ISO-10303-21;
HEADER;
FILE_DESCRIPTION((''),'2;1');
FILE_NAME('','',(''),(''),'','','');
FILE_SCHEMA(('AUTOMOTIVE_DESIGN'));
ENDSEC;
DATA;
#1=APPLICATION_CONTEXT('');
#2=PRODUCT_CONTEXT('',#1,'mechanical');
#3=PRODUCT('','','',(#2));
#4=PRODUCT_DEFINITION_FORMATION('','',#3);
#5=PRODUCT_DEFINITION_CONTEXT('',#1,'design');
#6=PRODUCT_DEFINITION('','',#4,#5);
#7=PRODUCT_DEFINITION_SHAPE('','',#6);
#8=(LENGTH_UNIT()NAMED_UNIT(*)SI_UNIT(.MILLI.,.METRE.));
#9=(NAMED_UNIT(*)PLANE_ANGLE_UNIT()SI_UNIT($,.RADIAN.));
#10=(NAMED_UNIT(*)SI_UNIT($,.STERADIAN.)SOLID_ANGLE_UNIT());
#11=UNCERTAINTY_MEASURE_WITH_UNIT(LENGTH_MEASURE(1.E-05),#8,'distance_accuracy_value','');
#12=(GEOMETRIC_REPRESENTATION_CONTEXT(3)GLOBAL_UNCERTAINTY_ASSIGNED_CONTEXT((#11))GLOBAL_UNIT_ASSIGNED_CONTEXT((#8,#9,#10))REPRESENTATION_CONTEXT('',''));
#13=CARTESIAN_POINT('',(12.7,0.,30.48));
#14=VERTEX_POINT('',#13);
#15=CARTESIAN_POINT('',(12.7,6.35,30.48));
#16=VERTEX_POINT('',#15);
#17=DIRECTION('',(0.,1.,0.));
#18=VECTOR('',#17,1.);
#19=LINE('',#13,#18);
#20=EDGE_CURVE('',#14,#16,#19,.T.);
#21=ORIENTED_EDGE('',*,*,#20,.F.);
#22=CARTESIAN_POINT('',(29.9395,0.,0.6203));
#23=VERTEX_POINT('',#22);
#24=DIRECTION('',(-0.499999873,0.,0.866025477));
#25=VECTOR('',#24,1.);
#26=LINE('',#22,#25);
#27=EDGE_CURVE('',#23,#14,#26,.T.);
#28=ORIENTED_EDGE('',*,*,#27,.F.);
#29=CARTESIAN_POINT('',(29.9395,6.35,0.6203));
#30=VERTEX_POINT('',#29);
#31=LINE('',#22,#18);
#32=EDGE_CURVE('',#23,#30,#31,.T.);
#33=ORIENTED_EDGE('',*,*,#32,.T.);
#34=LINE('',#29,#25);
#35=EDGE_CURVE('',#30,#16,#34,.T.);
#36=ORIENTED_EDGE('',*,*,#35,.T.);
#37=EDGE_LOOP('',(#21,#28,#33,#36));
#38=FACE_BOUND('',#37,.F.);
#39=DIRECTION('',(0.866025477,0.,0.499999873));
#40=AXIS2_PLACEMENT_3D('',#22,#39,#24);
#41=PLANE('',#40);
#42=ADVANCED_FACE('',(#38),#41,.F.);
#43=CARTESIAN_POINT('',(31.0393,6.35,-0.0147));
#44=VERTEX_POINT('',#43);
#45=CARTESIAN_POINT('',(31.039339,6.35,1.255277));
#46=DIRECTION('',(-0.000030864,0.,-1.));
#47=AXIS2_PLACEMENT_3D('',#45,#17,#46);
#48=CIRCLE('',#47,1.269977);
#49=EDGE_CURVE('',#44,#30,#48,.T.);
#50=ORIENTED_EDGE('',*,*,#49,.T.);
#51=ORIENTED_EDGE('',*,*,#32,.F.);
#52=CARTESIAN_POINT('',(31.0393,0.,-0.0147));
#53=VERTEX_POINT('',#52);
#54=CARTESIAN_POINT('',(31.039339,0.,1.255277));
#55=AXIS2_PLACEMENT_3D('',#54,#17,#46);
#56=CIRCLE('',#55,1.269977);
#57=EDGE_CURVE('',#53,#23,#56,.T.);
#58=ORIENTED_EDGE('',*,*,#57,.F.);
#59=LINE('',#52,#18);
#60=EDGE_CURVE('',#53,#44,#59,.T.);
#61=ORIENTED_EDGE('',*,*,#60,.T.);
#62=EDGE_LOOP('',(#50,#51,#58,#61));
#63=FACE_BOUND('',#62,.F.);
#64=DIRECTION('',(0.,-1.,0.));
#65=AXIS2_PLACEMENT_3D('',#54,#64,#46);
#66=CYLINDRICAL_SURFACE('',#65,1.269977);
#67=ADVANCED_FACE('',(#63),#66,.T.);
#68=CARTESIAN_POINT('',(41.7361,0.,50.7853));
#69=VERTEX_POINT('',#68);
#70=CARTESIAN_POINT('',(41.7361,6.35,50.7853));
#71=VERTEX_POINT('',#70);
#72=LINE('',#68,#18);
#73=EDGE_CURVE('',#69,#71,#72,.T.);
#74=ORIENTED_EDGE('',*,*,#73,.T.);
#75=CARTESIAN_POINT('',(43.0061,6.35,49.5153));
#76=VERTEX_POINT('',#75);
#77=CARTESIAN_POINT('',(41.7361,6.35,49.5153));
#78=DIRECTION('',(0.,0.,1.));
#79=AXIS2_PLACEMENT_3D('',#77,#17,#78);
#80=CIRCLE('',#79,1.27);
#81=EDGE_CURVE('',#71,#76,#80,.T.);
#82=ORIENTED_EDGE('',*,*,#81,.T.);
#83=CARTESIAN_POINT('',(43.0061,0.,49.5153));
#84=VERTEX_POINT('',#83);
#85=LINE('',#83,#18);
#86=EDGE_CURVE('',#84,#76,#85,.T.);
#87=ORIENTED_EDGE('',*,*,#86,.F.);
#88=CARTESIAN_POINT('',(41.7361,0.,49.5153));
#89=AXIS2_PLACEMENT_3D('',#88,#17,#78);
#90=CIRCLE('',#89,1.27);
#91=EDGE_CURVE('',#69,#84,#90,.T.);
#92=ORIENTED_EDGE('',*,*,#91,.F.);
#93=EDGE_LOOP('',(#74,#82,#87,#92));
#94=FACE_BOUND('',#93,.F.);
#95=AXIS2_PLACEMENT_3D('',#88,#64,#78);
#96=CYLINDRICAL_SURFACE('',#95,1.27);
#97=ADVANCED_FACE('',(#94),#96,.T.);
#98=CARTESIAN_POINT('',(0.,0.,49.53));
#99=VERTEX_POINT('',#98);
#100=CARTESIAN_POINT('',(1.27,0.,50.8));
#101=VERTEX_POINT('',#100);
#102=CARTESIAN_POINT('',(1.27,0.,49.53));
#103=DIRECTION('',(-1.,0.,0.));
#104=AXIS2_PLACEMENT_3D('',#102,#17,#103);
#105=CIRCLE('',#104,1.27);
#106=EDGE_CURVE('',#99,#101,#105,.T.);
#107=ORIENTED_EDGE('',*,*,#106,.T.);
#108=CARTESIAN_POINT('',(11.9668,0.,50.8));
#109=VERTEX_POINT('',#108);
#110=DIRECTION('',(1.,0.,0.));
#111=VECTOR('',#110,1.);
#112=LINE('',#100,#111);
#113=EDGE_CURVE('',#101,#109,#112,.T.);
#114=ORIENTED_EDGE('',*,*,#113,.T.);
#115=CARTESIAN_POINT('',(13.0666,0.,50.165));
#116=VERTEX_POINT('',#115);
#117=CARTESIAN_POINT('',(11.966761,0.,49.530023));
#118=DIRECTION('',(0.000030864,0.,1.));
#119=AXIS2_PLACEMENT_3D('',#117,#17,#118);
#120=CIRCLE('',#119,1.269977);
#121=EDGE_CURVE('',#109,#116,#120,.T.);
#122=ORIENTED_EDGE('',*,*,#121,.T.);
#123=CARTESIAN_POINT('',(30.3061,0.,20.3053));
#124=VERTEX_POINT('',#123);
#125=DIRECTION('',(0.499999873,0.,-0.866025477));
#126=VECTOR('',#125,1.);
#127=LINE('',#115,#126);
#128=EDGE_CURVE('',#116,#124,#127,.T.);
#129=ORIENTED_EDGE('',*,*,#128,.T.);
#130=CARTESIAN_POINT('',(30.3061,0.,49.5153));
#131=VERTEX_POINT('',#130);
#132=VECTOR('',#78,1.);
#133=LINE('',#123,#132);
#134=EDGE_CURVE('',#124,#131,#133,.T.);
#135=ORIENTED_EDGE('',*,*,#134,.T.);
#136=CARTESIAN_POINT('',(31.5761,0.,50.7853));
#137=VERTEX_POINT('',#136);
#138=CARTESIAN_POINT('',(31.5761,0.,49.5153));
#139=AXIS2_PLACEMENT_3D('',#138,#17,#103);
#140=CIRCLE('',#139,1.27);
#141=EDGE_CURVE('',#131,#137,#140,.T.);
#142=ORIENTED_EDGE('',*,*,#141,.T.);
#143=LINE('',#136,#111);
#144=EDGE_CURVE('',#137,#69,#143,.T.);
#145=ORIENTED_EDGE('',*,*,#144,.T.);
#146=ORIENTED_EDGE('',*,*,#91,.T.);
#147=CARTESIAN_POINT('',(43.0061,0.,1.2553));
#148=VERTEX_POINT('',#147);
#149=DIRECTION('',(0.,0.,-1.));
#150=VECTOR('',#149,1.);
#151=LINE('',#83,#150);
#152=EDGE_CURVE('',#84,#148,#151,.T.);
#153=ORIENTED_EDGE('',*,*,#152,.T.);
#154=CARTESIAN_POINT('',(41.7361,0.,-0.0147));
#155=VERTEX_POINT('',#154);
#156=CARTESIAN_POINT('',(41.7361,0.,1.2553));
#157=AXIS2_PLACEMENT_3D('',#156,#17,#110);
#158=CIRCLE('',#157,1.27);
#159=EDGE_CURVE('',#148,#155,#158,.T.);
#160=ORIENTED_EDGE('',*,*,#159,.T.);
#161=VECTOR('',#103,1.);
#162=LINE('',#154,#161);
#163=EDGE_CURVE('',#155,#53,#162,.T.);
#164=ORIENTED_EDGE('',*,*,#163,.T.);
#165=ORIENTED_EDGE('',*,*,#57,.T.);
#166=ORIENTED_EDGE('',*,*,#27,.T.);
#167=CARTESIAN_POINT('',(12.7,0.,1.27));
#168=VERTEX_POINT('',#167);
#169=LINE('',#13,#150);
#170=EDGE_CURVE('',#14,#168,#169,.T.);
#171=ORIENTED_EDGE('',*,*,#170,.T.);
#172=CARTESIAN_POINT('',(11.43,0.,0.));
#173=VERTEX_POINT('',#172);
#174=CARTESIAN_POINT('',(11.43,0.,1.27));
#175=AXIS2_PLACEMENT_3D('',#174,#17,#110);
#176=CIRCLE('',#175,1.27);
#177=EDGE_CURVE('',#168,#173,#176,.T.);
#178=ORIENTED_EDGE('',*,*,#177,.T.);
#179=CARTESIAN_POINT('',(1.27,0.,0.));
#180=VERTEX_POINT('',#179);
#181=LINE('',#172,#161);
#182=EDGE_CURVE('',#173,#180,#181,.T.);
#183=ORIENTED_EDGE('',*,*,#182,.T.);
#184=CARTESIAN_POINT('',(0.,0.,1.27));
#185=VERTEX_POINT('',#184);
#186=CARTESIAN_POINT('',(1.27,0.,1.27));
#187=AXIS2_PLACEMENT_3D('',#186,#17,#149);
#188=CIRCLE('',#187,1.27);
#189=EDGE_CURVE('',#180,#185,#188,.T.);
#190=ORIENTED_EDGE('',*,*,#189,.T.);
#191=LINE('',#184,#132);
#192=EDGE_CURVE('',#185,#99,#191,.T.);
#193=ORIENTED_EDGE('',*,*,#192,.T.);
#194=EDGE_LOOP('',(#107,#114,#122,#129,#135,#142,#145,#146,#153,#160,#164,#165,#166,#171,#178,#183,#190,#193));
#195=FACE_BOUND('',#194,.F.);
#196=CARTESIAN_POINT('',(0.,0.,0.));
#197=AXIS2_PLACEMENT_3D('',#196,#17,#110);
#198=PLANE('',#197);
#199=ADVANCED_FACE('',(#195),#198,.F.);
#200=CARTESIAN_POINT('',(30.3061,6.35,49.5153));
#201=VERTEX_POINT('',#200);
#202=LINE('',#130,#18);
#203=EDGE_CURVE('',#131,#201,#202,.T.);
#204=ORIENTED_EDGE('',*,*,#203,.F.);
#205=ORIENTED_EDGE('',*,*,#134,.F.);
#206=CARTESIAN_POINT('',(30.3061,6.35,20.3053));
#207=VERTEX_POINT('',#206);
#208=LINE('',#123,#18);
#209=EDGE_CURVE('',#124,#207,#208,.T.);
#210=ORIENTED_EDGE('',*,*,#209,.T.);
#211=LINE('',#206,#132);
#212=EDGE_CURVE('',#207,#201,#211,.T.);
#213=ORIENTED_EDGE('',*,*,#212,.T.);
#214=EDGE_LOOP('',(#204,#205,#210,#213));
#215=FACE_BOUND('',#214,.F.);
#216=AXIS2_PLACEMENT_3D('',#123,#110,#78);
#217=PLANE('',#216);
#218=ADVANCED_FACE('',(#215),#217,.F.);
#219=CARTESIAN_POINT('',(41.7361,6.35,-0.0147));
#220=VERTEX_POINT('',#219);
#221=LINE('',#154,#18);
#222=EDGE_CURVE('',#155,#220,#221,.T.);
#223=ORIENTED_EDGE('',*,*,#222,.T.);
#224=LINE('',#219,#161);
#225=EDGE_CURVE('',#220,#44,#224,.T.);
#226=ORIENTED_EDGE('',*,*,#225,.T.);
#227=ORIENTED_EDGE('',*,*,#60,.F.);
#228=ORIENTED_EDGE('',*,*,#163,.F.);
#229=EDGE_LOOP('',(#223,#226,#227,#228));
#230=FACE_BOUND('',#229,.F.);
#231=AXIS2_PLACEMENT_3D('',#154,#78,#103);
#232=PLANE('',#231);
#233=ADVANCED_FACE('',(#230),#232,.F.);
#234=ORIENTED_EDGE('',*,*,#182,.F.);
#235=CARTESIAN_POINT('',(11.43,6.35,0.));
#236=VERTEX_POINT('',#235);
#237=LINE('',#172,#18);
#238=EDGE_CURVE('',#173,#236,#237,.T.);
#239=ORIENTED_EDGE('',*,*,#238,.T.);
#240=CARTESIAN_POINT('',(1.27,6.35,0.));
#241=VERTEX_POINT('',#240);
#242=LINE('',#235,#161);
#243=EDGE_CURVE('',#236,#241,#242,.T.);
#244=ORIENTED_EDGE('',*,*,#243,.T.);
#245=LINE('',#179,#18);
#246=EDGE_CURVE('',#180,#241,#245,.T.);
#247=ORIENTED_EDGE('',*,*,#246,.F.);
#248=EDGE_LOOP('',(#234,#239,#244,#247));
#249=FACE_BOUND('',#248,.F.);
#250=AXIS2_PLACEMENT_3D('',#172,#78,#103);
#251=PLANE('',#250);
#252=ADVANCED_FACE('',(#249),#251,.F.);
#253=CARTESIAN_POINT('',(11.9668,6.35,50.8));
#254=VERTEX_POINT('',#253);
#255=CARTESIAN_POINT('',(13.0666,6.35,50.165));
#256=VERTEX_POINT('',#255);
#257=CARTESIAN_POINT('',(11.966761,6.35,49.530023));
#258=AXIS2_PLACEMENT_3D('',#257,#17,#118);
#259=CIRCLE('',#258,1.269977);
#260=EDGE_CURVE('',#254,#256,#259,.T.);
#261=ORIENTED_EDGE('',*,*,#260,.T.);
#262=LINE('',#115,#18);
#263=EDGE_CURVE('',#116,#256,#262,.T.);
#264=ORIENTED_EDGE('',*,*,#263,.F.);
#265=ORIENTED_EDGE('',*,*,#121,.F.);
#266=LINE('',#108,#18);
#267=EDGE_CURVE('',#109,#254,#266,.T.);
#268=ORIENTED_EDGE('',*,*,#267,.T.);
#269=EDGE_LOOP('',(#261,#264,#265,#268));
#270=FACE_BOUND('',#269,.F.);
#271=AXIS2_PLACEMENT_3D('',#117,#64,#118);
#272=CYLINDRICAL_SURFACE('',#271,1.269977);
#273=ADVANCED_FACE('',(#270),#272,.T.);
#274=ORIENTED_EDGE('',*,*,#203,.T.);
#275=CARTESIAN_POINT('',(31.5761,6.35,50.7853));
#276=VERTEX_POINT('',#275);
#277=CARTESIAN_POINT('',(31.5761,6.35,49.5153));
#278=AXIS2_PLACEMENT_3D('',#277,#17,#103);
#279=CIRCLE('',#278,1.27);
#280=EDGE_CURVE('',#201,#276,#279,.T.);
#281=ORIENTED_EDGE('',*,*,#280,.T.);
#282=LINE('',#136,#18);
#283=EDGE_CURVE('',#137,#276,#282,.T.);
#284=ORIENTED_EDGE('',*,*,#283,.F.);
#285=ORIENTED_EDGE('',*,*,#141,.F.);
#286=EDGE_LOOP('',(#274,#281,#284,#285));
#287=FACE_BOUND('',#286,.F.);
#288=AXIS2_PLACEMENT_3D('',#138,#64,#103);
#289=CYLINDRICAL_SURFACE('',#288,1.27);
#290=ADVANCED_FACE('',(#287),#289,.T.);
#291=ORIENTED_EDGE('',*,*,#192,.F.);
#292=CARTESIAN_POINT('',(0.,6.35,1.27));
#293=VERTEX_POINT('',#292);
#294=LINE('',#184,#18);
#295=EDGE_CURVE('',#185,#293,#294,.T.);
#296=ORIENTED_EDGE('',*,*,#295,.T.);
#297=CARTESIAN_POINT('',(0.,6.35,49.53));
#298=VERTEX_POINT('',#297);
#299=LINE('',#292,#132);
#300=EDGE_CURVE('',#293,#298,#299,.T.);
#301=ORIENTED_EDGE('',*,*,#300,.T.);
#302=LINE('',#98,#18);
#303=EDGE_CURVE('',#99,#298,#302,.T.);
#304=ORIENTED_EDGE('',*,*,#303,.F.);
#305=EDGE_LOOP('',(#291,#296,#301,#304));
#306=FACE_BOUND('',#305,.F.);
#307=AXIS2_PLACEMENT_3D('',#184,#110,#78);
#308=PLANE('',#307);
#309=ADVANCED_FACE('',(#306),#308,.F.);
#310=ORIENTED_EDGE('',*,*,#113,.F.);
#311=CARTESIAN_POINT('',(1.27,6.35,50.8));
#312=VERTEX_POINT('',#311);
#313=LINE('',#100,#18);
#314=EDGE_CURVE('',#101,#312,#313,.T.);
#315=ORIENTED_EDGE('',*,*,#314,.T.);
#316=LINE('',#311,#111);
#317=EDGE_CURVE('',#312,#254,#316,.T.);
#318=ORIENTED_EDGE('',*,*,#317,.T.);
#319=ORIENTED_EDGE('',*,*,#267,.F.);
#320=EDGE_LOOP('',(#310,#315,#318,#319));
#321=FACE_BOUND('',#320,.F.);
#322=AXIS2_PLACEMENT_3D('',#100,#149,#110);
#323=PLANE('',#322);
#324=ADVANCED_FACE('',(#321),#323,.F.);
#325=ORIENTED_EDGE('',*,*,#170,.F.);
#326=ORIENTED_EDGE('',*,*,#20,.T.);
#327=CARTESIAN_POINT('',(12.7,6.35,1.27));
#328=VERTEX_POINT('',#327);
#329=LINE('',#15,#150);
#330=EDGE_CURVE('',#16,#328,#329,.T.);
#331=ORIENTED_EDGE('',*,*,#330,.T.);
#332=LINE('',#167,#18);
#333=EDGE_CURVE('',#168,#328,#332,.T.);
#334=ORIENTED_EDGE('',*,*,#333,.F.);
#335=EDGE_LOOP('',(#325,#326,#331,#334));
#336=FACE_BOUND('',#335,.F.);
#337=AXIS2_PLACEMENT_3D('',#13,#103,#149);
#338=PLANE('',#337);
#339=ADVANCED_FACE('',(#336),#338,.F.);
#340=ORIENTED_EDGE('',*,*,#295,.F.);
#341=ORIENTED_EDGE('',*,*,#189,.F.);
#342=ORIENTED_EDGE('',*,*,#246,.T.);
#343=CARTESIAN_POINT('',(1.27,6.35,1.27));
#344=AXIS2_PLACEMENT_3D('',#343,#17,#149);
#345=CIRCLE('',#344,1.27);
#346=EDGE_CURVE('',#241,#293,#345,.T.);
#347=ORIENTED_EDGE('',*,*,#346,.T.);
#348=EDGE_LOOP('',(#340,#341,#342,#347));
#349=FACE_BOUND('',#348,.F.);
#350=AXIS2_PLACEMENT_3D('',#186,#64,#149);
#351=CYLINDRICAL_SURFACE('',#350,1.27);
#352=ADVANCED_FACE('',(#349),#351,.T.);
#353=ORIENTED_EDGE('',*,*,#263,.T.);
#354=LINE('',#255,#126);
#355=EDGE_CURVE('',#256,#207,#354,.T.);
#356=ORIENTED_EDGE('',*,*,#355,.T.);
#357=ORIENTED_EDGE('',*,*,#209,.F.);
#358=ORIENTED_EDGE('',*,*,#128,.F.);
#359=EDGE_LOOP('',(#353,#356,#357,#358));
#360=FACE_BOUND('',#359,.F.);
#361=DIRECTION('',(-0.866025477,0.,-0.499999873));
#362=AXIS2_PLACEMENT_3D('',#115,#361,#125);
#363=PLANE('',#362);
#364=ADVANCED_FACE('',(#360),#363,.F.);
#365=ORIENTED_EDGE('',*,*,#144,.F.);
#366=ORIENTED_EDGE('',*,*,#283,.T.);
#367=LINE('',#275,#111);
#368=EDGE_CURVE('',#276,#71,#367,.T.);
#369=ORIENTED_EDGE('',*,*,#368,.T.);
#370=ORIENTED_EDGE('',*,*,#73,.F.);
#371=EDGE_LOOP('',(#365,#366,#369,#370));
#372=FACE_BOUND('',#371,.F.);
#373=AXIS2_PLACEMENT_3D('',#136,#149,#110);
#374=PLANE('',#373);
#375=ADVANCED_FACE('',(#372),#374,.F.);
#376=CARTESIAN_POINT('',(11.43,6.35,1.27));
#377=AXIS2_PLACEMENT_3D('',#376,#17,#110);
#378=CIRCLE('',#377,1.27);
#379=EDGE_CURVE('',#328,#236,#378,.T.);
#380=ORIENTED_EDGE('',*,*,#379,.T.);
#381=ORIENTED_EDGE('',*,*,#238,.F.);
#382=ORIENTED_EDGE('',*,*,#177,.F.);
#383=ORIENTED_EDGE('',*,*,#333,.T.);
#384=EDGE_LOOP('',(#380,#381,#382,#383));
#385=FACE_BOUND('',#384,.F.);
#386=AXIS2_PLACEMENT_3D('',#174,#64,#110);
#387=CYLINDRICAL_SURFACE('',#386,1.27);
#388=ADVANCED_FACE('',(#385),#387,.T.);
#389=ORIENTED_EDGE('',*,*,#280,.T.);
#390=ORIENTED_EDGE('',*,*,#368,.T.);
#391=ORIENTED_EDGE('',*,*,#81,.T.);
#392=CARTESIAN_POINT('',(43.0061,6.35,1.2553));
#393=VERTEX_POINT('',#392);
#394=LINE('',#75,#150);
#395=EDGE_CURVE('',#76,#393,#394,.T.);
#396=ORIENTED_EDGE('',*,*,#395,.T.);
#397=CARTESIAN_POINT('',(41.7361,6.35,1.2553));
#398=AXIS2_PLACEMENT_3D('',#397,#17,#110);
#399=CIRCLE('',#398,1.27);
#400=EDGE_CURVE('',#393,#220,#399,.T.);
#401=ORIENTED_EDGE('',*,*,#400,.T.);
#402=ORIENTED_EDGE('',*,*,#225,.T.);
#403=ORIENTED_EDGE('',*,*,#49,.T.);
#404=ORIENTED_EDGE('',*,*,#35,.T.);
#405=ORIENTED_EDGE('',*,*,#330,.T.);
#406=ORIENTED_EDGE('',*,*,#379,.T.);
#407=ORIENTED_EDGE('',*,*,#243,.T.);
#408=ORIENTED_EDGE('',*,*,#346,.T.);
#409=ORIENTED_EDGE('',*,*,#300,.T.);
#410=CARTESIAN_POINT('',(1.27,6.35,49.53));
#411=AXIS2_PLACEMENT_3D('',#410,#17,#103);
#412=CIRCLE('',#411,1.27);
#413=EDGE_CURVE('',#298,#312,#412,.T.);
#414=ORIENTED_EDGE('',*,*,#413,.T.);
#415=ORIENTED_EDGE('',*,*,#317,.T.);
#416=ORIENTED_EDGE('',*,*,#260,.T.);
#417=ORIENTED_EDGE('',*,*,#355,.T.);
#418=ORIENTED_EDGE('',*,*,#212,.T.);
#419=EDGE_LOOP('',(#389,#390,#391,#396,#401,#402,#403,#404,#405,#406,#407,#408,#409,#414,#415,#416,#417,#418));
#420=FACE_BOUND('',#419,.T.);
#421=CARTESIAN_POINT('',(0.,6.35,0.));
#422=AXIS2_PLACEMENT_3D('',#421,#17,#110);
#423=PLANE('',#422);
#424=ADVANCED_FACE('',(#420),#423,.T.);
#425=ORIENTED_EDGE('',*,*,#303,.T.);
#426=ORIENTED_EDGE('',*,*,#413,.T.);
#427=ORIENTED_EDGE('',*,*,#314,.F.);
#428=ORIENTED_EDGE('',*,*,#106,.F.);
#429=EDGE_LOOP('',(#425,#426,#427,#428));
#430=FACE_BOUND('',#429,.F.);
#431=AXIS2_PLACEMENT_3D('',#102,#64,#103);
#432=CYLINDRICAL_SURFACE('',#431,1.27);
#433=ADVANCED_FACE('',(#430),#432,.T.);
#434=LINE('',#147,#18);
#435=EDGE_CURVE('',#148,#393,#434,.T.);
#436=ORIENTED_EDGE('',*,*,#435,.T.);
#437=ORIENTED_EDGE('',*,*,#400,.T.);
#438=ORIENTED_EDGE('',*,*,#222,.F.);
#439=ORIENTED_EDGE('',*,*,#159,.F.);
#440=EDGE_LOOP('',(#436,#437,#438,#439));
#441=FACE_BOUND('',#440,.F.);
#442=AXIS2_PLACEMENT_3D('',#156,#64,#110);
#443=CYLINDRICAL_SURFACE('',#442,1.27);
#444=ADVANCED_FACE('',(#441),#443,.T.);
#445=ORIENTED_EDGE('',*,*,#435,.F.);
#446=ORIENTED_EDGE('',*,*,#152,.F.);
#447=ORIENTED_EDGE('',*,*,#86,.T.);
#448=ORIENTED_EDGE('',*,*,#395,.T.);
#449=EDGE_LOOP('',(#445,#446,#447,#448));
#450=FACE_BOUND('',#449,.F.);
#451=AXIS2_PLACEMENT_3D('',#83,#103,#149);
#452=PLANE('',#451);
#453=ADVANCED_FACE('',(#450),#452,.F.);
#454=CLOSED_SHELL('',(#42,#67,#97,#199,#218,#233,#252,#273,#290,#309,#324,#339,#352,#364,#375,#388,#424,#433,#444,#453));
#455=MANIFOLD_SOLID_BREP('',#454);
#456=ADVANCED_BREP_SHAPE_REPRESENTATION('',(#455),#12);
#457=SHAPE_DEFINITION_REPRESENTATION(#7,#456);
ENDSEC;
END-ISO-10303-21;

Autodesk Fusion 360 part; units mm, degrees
sketch "Sketch1" plane through (0, 0, 0) normal (0, 1, 0) x (1, 0, 0)
  line L0 (0, -1.27) -> (0, -49.53)
  line L1 (1.27, -50.8) -> (11.9668, -50.8)
  line L2 (13.0666, -50.165) -> (30.3061, -20.3053)
  line L3 (30.3061, -20.3053) -> (30.3061, -49.5153)
  line L4 (31.5761, -50.7853) -> (41.7361, -50.7853)
  line L5 (43.0061, -49.5153) -> (43.0061, -1.2553)
  line L6 (41.7361, 0.0147) -> (31.0393, 0.0147)
  line L7 (29.9395, -0.6203) -> (12.7, -30.48)
  line L8 (12.7, -30.48) -> (12.7, -1.27)
  line L9 (11.43, 0) -> (1.27, 0)
  arc A0 (0, -49.53) -> (1.27, -50.8) centre (1.27, -49.53) ccw
  arc A1 (1.27, 0) -> (0, -1.27) centre (1.27, -1.27) ccw
  arc A2 (12.7, -1.27) -> (11.43, 0) centre (11.43, -1.27) ccw
  arc A3 (11.9668, -50.8) -> (13.0666, -50.165) centre (11.9668, -49.53) ccw
  arc A4 (30.3061, -49.5153) -> (31.5761, -50.7853) centre (31.5761, -49.5153) ccw
  arc A5 (41.7361, -50.7853) -> (43.0061, -49.5153) centre (41.7361, -49.5153) ccw
  arc A6 (43.0061, -1.2553) -> (41.7361, 0.0147) centre (41.7361, -1.2553) ccw
  arc A7 (31.0393, 0.0147) -> (29.9395, -0.6203) centre (31.0393, -1.2553) ccw
  point P0 (0, -50.8)
  point P1 (12.7, -50.8)
  point P2 (30.3061, -50.7853)
  point P3 (43.0061, -50.7853)
  point P4 (43.0061, 0.0147)
  point P5 (30.3061, 0.0147)
  point P6 (12.7, 0)
  dimension "d6" = 12.7
  dimension "d7" = 12.7
  dimension "d8" = 12.7
  dimension "d9" = 12.7
  dimension "d11" = 30
  dimension "d12" = 30
  dimension "d13" = 50.8
  dimension "d14" = 50.8
  dimension "d15" = 1.27
  dimension "d16" = 1.27
  dimension "d19" = 43.0061
extrude "Extrude1" add sketch "Sketch1" along normal blind 6.35
